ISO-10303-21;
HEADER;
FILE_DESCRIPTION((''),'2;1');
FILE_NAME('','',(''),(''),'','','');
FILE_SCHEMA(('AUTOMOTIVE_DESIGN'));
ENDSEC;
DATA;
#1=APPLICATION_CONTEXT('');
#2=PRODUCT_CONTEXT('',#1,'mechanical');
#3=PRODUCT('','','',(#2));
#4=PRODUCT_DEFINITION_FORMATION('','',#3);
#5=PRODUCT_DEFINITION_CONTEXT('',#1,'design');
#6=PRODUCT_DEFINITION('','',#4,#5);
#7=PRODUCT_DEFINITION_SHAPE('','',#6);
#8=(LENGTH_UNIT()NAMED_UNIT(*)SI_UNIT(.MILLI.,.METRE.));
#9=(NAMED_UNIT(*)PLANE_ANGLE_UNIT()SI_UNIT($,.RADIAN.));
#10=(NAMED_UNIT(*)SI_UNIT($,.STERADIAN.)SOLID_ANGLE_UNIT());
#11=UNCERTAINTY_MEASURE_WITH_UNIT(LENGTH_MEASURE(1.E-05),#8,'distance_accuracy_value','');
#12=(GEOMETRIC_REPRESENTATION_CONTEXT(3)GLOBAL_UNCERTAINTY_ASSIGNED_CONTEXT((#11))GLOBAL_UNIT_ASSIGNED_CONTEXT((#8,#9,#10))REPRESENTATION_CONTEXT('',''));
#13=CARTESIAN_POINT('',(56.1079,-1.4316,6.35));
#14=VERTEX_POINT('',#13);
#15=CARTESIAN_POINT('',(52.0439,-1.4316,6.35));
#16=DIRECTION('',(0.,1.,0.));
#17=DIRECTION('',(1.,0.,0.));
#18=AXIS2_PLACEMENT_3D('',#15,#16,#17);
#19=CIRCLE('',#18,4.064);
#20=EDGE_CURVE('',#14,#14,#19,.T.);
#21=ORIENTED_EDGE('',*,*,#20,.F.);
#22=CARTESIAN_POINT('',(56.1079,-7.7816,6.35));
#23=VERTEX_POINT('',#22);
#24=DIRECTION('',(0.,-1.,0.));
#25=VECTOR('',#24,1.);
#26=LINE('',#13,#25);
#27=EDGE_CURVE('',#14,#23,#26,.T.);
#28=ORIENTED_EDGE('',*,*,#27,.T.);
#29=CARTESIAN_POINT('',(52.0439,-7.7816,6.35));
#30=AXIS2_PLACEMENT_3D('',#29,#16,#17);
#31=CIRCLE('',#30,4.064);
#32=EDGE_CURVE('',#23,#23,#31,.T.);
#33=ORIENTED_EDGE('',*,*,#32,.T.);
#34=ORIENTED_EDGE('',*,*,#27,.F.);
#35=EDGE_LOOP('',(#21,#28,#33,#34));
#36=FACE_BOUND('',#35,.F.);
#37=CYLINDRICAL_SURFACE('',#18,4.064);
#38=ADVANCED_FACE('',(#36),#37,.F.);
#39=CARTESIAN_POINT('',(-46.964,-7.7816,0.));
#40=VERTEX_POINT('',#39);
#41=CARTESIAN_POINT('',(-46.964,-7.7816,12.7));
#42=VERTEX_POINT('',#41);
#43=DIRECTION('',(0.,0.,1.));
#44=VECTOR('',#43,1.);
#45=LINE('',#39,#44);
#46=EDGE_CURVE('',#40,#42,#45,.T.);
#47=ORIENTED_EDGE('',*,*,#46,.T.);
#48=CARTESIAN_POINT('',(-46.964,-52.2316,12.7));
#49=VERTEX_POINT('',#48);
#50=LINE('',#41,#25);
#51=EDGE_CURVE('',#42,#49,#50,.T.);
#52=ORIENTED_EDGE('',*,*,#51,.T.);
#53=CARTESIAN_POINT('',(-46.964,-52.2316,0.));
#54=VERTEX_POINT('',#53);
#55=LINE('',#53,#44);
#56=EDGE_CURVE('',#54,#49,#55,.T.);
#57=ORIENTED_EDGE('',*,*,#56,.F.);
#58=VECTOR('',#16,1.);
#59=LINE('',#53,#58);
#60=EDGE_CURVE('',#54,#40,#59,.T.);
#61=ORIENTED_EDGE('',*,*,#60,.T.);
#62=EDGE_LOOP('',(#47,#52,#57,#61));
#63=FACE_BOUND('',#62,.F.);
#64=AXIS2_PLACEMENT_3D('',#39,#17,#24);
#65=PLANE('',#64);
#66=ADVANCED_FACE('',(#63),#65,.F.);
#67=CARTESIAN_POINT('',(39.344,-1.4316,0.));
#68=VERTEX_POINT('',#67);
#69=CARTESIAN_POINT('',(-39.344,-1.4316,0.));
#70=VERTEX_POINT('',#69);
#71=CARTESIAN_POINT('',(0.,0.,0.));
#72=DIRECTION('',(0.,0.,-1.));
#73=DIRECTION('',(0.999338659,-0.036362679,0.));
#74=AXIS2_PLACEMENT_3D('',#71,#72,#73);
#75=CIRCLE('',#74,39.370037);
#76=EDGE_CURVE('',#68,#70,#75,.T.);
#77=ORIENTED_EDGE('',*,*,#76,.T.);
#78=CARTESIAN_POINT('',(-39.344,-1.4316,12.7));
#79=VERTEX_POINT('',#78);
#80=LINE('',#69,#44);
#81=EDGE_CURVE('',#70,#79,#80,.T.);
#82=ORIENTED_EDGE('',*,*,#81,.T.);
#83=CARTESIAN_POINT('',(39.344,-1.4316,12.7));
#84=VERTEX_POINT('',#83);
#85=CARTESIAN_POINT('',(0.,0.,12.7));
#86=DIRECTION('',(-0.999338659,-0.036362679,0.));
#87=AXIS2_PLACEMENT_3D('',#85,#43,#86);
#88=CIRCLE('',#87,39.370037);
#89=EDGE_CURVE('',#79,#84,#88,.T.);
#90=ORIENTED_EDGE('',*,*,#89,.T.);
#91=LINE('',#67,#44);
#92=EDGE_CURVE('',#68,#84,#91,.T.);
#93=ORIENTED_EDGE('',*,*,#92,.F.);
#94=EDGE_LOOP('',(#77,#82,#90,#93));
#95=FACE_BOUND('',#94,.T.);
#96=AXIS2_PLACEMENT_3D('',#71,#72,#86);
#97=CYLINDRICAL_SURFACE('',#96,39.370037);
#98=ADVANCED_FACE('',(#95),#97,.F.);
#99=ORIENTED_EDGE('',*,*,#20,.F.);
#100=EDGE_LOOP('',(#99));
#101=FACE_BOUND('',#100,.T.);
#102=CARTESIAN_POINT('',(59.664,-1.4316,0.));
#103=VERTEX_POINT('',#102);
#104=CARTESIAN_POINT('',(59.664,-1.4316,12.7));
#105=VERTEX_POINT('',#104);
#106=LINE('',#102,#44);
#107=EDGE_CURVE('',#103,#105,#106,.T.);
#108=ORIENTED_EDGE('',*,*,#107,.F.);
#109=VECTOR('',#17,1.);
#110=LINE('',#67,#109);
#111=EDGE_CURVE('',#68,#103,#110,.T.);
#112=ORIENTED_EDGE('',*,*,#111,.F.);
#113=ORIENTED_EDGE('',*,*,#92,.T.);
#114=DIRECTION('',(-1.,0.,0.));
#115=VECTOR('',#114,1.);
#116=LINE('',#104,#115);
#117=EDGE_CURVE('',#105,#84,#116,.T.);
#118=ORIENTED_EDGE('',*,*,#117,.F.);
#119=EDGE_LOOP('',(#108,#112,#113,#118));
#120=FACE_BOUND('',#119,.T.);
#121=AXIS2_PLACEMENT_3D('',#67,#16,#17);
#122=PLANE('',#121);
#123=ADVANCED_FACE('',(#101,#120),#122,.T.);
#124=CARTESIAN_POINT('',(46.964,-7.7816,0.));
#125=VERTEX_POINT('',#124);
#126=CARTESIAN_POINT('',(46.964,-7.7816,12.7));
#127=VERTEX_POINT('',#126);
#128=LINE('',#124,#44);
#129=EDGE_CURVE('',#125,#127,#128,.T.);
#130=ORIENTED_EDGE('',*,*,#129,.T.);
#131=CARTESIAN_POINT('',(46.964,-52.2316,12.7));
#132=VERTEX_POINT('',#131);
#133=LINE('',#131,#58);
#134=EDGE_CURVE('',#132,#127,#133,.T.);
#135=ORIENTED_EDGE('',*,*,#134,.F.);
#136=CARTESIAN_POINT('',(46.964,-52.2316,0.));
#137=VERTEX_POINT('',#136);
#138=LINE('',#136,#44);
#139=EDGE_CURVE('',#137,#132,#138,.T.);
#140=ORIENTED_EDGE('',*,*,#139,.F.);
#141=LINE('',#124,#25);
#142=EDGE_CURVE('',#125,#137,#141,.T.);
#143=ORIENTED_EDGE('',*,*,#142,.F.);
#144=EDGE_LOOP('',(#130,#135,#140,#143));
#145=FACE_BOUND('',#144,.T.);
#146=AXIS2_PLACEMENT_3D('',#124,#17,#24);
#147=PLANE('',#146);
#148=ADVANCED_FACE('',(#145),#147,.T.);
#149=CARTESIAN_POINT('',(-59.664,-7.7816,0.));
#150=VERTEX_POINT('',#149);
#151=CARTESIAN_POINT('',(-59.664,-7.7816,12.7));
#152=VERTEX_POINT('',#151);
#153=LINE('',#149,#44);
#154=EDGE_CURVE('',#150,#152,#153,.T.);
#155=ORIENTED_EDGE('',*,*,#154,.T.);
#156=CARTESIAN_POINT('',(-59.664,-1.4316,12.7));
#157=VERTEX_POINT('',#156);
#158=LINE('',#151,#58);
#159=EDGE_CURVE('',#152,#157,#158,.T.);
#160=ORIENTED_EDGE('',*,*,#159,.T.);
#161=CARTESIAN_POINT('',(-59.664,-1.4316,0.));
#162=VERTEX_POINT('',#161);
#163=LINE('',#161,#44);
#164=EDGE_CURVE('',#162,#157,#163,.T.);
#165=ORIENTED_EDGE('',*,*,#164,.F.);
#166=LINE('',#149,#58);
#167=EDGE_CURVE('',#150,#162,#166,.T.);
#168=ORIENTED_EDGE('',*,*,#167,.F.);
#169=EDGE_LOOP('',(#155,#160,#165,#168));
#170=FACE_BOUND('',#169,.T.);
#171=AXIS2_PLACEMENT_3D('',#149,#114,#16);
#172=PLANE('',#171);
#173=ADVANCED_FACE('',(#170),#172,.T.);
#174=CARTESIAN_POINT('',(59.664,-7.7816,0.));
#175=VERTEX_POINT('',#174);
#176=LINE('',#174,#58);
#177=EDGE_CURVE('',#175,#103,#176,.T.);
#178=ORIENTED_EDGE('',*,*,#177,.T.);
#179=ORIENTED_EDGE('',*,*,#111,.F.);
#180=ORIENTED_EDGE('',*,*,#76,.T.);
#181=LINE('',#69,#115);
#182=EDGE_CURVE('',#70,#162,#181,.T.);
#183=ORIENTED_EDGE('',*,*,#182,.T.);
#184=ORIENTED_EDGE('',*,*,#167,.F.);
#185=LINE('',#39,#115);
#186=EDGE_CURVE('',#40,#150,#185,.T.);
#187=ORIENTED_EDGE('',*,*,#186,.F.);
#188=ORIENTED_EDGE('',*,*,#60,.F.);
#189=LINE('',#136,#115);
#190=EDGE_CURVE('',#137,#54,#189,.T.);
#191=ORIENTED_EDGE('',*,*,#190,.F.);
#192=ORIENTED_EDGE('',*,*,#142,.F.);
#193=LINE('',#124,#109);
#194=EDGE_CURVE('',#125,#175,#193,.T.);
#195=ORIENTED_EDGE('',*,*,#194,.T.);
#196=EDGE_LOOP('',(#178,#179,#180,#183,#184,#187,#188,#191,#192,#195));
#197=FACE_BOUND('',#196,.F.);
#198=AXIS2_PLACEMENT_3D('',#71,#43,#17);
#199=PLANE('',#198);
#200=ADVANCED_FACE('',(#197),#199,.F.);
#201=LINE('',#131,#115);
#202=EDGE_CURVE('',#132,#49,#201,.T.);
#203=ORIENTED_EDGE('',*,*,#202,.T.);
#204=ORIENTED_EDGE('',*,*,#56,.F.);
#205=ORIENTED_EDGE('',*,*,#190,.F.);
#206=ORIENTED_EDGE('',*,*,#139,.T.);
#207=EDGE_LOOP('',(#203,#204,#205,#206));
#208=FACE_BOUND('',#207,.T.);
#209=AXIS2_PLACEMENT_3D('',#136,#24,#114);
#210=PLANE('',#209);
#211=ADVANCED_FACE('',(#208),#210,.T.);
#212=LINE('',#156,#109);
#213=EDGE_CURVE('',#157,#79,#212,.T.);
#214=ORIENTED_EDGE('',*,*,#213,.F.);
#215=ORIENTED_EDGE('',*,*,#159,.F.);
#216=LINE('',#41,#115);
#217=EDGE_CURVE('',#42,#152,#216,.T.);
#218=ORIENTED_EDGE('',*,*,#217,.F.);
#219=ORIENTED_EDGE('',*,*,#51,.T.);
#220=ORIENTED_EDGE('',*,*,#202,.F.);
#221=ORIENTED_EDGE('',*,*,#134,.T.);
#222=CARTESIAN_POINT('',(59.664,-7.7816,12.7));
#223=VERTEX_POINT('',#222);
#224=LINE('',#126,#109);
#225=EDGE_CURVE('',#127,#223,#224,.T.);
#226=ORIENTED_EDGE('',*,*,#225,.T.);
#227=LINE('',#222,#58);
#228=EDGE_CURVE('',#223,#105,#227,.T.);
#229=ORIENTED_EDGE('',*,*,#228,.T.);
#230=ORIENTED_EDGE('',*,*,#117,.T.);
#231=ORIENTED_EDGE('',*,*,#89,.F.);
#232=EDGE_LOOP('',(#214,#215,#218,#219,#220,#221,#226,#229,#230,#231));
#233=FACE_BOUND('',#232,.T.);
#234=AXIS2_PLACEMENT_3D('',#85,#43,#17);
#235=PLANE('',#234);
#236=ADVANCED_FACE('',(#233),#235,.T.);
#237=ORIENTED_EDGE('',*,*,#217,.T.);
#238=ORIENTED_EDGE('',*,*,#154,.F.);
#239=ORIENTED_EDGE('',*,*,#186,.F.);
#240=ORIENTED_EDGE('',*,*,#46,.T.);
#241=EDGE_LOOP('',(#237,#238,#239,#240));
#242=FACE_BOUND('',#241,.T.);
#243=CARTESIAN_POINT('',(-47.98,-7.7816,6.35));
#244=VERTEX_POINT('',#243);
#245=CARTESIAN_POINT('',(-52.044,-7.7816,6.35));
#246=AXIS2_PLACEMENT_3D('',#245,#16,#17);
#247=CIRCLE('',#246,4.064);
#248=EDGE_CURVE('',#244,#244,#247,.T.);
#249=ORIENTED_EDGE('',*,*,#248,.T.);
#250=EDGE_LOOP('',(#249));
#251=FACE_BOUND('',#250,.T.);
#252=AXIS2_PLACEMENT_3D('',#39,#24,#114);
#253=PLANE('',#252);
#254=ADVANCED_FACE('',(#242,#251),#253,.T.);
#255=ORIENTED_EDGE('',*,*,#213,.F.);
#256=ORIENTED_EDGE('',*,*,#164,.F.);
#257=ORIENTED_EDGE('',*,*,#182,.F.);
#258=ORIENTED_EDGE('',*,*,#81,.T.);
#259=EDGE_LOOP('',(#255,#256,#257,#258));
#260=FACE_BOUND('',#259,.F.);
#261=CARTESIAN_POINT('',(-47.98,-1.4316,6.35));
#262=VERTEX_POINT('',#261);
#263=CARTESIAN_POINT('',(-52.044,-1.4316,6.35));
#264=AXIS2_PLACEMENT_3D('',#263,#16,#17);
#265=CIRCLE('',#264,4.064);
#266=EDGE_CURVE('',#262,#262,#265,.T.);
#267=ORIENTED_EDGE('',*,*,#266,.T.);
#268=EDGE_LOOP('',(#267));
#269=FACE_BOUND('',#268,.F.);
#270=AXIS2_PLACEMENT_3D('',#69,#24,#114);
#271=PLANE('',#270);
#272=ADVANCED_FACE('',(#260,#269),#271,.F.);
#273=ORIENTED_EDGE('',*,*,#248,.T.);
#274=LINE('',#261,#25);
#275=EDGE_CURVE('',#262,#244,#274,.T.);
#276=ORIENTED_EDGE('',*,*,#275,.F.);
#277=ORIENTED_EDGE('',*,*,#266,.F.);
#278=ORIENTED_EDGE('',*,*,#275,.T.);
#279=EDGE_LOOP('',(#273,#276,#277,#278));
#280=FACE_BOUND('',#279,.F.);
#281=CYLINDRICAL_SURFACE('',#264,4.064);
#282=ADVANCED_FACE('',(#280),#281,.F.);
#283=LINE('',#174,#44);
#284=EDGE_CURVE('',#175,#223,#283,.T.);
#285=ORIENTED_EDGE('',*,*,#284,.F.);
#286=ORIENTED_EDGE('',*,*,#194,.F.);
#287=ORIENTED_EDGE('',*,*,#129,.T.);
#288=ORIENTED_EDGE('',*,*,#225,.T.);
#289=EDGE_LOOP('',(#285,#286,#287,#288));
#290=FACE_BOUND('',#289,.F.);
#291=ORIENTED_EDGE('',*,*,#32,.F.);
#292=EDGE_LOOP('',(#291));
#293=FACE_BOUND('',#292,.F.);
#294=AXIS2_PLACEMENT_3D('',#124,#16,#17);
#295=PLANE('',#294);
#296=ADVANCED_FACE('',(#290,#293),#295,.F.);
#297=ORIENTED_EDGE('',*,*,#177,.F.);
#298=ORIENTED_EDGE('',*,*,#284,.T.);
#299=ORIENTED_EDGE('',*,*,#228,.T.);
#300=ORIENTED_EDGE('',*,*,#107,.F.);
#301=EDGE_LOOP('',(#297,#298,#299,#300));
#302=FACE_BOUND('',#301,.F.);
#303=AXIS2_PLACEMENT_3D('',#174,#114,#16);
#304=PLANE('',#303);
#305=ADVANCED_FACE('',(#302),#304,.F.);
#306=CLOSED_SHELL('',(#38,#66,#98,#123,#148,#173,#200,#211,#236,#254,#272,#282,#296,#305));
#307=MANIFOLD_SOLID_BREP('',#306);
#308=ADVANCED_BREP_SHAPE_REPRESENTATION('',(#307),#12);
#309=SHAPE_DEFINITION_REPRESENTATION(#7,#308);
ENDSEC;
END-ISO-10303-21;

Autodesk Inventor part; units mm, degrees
ref_plane "YZ Plane" through (0, 0, 0) normal (1, 0, 0) x (0, 1, 0)
ref_plane "XZ Plane" through (0, 0, 0) normal (0, 1, 0) x (-1, 0, 0)
ref_plane "XY Plane" through (0, 0, 0) normal (0, 0, 1) x (1, 0, 0)
sketch "Sketch1" plane through (0, 0, 0) normal (0, 0, 1) x (1, 0, 0)
  arc A0 (-39.344, -1.4316) -> (39.344, -1.4316) centre (0, 0) ccw
  line L0 (-39.344, -1.4316) -> (-39.3671, -1.4316)
  line L1 (-39.344, -1.4316) -> (-52.044, -1.4316)
  line L2 (39.344, -1.4316) -> (52.044, -1.4316)
  arc A1 (-46.964, -22.4724) -> (46.964, -22.4724) centre (0, 0) ccw
  line L3 (-52.044, -1.4316) -> (-59.664, -1.4316)
  line L4 (52.044, -1.4316) -> (59.664, -1.4316)
  line L5 (39.344, -1.4316) -> (46.964, -1.4316)
  line L6 (46.964, -1.4316) -> (46.964, -22.4724)
  line L7 (-39.344, -1.4316) -> (-45.694, -1.4316)
  line L8 (-39.344, -1.4316) -> (-46.964, -1.4316)
  line L9 (-46.964, -1.4316) -> (-46.964, -22.4724)
  line L10 (-46.964, -7.7816) -> (-59.664, -7.7816)
  line L11 (-59.664, -7.7816) -> (-59.664, -1.4316)
  line L12 (46.964, -7.7816) -> (59.664, -7.7816)
  line L13 (59.664, -7.7816) -> (59.664, -1.4316)
  line L14 (46.964, -42.5386) -> (30.0181, -42.5386)
  line L15 (46.964, -22.4724) -> (46.964, -42.5386)
  line L16 (46.964, -42.5386) -> (-46.964, -42.5386)
  line L17 (-46.964, -42.5386) -> (-46.964, -22.4724)
  line L18 (-46.964, -42.5386) -> (46.964, -42.5386)
  line L19 (46.964, -42.5386) -> (46.964, -52.2316)
  line L20 (46.964, -52.2316) -> (-46.964, -52.2316)
  line L21 (-46.964, -52.2316) -> (-46.964, -42.5386)
  line L22 (-46.964, -22.4724) -> (-32.3263, -22.4724)
  line L23 (32.3263, -22.4724) -> (46.964, -22.4724)
  dimension "d0" = 78.74
  dimension "d1" = 12.7
  dimension "d2" = 12.7
  dimension "d4" = 7.62
  dimension "d5" = 7.62
  dimension "d6" = 7.62
  dimension "d7" = 7.62
  dimension "d8" = 6.35
  dimension "d9" = 6.35
  dimension "d20" = 50.8
extrude "Extrusion1" add sketch "Sketch1" along normal blind 12.7
sketch "Sketch2" plane through (-59.664, -1.4316, 0) normal (0, 1, 0) x (1, 0, 0)
  line L0 (20.32, 0) -> (0, 0) projected
  line L1 (0, 0) -> (20.32, 0)
  circle A0 centre (7.62, -6.35) radius 4.064
  circle A1 centre (111.7079, -6.35) radius 4.064
  line L2 (99.0079, 0) -> (99.0079, -12.7) projected
  line L3 (20.32, 0) -> (20.32, -12.7) projected
  point P0 (59.664, 0)
  dimension "d14" = 12.7
  dimension "d15" = 12.7
  dimension "d16" = 8.128
  dimension "d17" = 8.128
extrude "Extrusion2" cut sketch "Sketch2" against normal blind 25.4
properties part number "MOTOR MOUNT REAL TOP E3O MOTOR"
